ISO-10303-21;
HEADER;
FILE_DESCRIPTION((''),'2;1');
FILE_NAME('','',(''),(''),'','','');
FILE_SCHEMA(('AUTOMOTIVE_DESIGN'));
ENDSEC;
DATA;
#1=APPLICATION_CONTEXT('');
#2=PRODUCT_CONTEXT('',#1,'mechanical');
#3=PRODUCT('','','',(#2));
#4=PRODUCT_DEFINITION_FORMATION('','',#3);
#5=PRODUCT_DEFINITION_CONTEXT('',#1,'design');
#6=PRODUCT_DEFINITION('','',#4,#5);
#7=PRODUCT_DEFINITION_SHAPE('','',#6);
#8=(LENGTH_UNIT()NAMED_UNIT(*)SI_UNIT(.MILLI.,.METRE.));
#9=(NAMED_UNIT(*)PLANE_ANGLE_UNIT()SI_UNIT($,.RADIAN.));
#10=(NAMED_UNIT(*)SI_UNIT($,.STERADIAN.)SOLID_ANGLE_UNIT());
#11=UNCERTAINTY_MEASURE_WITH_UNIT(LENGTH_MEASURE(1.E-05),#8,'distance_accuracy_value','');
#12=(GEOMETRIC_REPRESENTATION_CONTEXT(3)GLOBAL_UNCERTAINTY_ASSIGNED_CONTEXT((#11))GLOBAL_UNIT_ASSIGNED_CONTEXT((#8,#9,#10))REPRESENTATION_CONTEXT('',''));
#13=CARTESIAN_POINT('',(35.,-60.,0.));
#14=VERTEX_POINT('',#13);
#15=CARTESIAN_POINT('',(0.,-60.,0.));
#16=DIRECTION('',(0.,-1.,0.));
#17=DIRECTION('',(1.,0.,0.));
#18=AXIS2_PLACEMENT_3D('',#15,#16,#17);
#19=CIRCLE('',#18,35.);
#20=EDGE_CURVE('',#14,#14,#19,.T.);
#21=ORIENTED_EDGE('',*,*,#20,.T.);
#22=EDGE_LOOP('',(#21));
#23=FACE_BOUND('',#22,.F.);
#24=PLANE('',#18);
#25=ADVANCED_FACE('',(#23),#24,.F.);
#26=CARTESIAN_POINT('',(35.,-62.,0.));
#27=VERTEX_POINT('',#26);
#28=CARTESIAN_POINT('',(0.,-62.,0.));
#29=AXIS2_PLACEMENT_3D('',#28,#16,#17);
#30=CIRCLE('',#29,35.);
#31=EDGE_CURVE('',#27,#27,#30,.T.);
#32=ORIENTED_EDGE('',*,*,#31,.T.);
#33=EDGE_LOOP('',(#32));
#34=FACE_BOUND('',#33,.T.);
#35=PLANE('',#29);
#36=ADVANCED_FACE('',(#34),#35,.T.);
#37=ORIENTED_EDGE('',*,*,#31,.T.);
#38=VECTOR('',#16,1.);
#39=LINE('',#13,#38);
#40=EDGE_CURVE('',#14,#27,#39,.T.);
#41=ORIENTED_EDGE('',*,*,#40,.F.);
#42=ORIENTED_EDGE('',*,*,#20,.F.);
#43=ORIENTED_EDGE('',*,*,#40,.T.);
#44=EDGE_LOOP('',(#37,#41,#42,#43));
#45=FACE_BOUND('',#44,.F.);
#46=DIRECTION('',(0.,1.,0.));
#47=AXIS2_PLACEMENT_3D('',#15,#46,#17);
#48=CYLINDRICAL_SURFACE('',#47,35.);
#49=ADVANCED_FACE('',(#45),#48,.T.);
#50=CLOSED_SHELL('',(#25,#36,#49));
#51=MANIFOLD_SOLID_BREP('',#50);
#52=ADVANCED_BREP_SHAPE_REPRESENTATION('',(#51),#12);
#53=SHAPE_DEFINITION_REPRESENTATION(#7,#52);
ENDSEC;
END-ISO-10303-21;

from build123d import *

# Parameters (mm, degrees)
F3_R     = 35
F4_DEPTH = 2


with BuildPart() as f4:
    # F3 (on offset) → F4 (new body)
    with BuildSketch(Plane.XZ.offset(60)):
        Circle(F3_R)
    extrude(amount=F4_DEPTH)


solid = f4.part
